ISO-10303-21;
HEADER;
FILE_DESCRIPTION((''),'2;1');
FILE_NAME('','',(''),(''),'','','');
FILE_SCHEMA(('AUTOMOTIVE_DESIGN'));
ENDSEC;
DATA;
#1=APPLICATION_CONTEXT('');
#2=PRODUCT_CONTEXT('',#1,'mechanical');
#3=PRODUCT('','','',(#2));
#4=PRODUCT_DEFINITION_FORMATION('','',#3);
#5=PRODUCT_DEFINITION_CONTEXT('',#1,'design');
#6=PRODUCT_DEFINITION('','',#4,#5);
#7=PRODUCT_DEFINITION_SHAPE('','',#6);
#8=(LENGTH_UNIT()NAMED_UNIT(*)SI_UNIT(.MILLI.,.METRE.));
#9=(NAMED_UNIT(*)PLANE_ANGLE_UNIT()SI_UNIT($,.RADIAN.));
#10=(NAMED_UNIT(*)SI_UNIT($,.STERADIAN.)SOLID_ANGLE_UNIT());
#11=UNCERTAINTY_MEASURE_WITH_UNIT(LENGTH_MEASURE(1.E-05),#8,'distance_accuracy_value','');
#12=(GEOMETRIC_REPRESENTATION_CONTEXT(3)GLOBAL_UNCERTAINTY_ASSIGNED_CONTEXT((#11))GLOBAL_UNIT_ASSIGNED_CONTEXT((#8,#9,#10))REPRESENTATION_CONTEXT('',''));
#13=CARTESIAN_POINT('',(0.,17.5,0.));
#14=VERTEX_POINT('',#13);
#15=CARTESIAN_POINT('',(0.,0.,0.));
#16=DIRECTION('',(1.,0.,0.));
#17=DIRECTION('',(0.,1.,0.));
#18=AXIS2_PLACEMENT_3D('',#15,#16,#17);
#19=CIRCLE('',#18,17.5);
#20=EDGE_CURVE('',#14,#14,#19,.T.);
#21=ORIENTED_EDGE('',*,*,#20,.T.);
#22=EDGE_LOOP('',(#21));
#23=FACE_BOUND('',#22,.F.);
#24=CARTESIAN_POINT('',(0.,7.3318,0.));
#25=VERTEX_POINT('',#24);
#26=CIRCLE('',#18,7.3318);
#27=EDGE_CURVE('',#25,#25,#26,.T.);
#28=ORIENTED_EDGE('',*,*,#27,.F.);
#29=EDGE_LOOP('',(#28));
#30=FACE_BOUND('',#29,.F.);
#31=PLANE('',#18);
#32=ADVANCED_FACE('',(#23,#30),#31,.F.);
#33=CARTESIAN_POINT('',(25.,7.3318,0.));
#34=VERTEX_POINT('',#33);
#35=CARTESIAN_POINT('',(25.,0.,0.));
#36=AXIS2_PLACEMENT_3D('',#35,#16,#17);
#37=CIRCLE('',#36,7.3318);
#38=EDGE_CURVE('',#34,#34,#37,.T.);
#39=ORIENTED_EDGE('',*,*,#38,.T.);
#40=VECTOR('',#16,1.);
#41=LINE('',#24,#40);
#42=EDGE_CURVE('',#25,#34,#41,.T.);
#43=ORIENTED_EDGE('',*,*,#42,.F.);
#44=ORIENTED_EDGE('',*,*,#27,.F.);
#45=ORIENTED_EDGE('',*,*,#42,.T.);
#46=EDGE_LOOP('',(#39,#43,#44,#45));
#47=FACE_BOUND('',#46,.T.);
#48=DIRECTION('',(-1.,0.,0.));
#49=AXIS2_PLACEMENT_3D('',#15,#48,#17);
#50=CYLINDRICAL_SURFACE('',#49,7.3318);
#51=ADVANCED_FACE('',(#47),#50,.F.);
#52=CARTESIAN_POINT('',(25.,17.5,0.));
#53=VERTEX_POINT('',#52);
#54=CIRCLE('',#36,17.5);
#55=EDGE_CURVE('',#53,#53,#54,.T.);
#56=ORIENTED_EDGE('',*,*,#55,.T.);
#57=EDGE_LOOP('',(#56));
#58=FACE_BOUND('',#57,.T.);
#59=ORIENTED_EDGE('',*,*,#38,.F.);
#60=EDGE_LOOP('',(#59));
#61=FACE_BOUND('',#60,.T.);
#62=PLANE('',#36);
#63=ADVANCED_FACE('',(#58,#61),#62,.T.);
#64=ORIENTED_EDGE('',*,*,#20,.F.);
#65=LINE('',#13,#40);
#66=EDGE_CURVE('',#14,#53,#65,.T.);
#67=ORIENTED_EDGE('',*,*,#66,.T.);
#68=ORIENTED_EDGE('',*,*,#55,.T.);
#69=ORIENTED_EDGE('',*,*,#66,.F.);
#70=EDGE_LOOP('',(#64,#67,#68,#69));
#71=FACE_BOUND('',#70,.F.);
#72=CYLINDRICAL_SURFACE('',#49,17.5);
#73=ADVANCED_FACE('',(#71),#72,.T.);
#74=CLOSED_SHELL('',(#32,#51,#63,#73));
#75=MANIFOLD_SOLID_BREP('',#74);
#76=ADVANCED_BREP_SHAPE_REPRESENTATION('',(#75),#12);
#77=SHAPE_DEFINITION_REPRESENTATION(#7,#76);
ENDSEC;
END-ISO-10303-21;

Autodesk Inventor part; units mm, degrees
ref_plane "YZ Plane" through (0, 0, 0) normal (1, 0, 0) x (0, 1, 0)
ref_plane "XZ Plane" through (0, 0, 0) normal (0, 1, 0) x (-1, 0, 0)
ref_plane "XY Plane" through (0, 0, 0) normal (0, 0, 1) x (1, 0, 0)
sketch "Sketch1" plane through (0, 0, 0) normal (1, 0, 0) x (0, 1, 0)
  circle A0 centre (0, 0) radius 17.5
  circle A1 centre (0, 0) radius 7.3318
  dimension "d0" = 35
extrude "Extrusion1" add sketch "Sketch1" along normal blind 25
properties part number "roller3 grp17"
